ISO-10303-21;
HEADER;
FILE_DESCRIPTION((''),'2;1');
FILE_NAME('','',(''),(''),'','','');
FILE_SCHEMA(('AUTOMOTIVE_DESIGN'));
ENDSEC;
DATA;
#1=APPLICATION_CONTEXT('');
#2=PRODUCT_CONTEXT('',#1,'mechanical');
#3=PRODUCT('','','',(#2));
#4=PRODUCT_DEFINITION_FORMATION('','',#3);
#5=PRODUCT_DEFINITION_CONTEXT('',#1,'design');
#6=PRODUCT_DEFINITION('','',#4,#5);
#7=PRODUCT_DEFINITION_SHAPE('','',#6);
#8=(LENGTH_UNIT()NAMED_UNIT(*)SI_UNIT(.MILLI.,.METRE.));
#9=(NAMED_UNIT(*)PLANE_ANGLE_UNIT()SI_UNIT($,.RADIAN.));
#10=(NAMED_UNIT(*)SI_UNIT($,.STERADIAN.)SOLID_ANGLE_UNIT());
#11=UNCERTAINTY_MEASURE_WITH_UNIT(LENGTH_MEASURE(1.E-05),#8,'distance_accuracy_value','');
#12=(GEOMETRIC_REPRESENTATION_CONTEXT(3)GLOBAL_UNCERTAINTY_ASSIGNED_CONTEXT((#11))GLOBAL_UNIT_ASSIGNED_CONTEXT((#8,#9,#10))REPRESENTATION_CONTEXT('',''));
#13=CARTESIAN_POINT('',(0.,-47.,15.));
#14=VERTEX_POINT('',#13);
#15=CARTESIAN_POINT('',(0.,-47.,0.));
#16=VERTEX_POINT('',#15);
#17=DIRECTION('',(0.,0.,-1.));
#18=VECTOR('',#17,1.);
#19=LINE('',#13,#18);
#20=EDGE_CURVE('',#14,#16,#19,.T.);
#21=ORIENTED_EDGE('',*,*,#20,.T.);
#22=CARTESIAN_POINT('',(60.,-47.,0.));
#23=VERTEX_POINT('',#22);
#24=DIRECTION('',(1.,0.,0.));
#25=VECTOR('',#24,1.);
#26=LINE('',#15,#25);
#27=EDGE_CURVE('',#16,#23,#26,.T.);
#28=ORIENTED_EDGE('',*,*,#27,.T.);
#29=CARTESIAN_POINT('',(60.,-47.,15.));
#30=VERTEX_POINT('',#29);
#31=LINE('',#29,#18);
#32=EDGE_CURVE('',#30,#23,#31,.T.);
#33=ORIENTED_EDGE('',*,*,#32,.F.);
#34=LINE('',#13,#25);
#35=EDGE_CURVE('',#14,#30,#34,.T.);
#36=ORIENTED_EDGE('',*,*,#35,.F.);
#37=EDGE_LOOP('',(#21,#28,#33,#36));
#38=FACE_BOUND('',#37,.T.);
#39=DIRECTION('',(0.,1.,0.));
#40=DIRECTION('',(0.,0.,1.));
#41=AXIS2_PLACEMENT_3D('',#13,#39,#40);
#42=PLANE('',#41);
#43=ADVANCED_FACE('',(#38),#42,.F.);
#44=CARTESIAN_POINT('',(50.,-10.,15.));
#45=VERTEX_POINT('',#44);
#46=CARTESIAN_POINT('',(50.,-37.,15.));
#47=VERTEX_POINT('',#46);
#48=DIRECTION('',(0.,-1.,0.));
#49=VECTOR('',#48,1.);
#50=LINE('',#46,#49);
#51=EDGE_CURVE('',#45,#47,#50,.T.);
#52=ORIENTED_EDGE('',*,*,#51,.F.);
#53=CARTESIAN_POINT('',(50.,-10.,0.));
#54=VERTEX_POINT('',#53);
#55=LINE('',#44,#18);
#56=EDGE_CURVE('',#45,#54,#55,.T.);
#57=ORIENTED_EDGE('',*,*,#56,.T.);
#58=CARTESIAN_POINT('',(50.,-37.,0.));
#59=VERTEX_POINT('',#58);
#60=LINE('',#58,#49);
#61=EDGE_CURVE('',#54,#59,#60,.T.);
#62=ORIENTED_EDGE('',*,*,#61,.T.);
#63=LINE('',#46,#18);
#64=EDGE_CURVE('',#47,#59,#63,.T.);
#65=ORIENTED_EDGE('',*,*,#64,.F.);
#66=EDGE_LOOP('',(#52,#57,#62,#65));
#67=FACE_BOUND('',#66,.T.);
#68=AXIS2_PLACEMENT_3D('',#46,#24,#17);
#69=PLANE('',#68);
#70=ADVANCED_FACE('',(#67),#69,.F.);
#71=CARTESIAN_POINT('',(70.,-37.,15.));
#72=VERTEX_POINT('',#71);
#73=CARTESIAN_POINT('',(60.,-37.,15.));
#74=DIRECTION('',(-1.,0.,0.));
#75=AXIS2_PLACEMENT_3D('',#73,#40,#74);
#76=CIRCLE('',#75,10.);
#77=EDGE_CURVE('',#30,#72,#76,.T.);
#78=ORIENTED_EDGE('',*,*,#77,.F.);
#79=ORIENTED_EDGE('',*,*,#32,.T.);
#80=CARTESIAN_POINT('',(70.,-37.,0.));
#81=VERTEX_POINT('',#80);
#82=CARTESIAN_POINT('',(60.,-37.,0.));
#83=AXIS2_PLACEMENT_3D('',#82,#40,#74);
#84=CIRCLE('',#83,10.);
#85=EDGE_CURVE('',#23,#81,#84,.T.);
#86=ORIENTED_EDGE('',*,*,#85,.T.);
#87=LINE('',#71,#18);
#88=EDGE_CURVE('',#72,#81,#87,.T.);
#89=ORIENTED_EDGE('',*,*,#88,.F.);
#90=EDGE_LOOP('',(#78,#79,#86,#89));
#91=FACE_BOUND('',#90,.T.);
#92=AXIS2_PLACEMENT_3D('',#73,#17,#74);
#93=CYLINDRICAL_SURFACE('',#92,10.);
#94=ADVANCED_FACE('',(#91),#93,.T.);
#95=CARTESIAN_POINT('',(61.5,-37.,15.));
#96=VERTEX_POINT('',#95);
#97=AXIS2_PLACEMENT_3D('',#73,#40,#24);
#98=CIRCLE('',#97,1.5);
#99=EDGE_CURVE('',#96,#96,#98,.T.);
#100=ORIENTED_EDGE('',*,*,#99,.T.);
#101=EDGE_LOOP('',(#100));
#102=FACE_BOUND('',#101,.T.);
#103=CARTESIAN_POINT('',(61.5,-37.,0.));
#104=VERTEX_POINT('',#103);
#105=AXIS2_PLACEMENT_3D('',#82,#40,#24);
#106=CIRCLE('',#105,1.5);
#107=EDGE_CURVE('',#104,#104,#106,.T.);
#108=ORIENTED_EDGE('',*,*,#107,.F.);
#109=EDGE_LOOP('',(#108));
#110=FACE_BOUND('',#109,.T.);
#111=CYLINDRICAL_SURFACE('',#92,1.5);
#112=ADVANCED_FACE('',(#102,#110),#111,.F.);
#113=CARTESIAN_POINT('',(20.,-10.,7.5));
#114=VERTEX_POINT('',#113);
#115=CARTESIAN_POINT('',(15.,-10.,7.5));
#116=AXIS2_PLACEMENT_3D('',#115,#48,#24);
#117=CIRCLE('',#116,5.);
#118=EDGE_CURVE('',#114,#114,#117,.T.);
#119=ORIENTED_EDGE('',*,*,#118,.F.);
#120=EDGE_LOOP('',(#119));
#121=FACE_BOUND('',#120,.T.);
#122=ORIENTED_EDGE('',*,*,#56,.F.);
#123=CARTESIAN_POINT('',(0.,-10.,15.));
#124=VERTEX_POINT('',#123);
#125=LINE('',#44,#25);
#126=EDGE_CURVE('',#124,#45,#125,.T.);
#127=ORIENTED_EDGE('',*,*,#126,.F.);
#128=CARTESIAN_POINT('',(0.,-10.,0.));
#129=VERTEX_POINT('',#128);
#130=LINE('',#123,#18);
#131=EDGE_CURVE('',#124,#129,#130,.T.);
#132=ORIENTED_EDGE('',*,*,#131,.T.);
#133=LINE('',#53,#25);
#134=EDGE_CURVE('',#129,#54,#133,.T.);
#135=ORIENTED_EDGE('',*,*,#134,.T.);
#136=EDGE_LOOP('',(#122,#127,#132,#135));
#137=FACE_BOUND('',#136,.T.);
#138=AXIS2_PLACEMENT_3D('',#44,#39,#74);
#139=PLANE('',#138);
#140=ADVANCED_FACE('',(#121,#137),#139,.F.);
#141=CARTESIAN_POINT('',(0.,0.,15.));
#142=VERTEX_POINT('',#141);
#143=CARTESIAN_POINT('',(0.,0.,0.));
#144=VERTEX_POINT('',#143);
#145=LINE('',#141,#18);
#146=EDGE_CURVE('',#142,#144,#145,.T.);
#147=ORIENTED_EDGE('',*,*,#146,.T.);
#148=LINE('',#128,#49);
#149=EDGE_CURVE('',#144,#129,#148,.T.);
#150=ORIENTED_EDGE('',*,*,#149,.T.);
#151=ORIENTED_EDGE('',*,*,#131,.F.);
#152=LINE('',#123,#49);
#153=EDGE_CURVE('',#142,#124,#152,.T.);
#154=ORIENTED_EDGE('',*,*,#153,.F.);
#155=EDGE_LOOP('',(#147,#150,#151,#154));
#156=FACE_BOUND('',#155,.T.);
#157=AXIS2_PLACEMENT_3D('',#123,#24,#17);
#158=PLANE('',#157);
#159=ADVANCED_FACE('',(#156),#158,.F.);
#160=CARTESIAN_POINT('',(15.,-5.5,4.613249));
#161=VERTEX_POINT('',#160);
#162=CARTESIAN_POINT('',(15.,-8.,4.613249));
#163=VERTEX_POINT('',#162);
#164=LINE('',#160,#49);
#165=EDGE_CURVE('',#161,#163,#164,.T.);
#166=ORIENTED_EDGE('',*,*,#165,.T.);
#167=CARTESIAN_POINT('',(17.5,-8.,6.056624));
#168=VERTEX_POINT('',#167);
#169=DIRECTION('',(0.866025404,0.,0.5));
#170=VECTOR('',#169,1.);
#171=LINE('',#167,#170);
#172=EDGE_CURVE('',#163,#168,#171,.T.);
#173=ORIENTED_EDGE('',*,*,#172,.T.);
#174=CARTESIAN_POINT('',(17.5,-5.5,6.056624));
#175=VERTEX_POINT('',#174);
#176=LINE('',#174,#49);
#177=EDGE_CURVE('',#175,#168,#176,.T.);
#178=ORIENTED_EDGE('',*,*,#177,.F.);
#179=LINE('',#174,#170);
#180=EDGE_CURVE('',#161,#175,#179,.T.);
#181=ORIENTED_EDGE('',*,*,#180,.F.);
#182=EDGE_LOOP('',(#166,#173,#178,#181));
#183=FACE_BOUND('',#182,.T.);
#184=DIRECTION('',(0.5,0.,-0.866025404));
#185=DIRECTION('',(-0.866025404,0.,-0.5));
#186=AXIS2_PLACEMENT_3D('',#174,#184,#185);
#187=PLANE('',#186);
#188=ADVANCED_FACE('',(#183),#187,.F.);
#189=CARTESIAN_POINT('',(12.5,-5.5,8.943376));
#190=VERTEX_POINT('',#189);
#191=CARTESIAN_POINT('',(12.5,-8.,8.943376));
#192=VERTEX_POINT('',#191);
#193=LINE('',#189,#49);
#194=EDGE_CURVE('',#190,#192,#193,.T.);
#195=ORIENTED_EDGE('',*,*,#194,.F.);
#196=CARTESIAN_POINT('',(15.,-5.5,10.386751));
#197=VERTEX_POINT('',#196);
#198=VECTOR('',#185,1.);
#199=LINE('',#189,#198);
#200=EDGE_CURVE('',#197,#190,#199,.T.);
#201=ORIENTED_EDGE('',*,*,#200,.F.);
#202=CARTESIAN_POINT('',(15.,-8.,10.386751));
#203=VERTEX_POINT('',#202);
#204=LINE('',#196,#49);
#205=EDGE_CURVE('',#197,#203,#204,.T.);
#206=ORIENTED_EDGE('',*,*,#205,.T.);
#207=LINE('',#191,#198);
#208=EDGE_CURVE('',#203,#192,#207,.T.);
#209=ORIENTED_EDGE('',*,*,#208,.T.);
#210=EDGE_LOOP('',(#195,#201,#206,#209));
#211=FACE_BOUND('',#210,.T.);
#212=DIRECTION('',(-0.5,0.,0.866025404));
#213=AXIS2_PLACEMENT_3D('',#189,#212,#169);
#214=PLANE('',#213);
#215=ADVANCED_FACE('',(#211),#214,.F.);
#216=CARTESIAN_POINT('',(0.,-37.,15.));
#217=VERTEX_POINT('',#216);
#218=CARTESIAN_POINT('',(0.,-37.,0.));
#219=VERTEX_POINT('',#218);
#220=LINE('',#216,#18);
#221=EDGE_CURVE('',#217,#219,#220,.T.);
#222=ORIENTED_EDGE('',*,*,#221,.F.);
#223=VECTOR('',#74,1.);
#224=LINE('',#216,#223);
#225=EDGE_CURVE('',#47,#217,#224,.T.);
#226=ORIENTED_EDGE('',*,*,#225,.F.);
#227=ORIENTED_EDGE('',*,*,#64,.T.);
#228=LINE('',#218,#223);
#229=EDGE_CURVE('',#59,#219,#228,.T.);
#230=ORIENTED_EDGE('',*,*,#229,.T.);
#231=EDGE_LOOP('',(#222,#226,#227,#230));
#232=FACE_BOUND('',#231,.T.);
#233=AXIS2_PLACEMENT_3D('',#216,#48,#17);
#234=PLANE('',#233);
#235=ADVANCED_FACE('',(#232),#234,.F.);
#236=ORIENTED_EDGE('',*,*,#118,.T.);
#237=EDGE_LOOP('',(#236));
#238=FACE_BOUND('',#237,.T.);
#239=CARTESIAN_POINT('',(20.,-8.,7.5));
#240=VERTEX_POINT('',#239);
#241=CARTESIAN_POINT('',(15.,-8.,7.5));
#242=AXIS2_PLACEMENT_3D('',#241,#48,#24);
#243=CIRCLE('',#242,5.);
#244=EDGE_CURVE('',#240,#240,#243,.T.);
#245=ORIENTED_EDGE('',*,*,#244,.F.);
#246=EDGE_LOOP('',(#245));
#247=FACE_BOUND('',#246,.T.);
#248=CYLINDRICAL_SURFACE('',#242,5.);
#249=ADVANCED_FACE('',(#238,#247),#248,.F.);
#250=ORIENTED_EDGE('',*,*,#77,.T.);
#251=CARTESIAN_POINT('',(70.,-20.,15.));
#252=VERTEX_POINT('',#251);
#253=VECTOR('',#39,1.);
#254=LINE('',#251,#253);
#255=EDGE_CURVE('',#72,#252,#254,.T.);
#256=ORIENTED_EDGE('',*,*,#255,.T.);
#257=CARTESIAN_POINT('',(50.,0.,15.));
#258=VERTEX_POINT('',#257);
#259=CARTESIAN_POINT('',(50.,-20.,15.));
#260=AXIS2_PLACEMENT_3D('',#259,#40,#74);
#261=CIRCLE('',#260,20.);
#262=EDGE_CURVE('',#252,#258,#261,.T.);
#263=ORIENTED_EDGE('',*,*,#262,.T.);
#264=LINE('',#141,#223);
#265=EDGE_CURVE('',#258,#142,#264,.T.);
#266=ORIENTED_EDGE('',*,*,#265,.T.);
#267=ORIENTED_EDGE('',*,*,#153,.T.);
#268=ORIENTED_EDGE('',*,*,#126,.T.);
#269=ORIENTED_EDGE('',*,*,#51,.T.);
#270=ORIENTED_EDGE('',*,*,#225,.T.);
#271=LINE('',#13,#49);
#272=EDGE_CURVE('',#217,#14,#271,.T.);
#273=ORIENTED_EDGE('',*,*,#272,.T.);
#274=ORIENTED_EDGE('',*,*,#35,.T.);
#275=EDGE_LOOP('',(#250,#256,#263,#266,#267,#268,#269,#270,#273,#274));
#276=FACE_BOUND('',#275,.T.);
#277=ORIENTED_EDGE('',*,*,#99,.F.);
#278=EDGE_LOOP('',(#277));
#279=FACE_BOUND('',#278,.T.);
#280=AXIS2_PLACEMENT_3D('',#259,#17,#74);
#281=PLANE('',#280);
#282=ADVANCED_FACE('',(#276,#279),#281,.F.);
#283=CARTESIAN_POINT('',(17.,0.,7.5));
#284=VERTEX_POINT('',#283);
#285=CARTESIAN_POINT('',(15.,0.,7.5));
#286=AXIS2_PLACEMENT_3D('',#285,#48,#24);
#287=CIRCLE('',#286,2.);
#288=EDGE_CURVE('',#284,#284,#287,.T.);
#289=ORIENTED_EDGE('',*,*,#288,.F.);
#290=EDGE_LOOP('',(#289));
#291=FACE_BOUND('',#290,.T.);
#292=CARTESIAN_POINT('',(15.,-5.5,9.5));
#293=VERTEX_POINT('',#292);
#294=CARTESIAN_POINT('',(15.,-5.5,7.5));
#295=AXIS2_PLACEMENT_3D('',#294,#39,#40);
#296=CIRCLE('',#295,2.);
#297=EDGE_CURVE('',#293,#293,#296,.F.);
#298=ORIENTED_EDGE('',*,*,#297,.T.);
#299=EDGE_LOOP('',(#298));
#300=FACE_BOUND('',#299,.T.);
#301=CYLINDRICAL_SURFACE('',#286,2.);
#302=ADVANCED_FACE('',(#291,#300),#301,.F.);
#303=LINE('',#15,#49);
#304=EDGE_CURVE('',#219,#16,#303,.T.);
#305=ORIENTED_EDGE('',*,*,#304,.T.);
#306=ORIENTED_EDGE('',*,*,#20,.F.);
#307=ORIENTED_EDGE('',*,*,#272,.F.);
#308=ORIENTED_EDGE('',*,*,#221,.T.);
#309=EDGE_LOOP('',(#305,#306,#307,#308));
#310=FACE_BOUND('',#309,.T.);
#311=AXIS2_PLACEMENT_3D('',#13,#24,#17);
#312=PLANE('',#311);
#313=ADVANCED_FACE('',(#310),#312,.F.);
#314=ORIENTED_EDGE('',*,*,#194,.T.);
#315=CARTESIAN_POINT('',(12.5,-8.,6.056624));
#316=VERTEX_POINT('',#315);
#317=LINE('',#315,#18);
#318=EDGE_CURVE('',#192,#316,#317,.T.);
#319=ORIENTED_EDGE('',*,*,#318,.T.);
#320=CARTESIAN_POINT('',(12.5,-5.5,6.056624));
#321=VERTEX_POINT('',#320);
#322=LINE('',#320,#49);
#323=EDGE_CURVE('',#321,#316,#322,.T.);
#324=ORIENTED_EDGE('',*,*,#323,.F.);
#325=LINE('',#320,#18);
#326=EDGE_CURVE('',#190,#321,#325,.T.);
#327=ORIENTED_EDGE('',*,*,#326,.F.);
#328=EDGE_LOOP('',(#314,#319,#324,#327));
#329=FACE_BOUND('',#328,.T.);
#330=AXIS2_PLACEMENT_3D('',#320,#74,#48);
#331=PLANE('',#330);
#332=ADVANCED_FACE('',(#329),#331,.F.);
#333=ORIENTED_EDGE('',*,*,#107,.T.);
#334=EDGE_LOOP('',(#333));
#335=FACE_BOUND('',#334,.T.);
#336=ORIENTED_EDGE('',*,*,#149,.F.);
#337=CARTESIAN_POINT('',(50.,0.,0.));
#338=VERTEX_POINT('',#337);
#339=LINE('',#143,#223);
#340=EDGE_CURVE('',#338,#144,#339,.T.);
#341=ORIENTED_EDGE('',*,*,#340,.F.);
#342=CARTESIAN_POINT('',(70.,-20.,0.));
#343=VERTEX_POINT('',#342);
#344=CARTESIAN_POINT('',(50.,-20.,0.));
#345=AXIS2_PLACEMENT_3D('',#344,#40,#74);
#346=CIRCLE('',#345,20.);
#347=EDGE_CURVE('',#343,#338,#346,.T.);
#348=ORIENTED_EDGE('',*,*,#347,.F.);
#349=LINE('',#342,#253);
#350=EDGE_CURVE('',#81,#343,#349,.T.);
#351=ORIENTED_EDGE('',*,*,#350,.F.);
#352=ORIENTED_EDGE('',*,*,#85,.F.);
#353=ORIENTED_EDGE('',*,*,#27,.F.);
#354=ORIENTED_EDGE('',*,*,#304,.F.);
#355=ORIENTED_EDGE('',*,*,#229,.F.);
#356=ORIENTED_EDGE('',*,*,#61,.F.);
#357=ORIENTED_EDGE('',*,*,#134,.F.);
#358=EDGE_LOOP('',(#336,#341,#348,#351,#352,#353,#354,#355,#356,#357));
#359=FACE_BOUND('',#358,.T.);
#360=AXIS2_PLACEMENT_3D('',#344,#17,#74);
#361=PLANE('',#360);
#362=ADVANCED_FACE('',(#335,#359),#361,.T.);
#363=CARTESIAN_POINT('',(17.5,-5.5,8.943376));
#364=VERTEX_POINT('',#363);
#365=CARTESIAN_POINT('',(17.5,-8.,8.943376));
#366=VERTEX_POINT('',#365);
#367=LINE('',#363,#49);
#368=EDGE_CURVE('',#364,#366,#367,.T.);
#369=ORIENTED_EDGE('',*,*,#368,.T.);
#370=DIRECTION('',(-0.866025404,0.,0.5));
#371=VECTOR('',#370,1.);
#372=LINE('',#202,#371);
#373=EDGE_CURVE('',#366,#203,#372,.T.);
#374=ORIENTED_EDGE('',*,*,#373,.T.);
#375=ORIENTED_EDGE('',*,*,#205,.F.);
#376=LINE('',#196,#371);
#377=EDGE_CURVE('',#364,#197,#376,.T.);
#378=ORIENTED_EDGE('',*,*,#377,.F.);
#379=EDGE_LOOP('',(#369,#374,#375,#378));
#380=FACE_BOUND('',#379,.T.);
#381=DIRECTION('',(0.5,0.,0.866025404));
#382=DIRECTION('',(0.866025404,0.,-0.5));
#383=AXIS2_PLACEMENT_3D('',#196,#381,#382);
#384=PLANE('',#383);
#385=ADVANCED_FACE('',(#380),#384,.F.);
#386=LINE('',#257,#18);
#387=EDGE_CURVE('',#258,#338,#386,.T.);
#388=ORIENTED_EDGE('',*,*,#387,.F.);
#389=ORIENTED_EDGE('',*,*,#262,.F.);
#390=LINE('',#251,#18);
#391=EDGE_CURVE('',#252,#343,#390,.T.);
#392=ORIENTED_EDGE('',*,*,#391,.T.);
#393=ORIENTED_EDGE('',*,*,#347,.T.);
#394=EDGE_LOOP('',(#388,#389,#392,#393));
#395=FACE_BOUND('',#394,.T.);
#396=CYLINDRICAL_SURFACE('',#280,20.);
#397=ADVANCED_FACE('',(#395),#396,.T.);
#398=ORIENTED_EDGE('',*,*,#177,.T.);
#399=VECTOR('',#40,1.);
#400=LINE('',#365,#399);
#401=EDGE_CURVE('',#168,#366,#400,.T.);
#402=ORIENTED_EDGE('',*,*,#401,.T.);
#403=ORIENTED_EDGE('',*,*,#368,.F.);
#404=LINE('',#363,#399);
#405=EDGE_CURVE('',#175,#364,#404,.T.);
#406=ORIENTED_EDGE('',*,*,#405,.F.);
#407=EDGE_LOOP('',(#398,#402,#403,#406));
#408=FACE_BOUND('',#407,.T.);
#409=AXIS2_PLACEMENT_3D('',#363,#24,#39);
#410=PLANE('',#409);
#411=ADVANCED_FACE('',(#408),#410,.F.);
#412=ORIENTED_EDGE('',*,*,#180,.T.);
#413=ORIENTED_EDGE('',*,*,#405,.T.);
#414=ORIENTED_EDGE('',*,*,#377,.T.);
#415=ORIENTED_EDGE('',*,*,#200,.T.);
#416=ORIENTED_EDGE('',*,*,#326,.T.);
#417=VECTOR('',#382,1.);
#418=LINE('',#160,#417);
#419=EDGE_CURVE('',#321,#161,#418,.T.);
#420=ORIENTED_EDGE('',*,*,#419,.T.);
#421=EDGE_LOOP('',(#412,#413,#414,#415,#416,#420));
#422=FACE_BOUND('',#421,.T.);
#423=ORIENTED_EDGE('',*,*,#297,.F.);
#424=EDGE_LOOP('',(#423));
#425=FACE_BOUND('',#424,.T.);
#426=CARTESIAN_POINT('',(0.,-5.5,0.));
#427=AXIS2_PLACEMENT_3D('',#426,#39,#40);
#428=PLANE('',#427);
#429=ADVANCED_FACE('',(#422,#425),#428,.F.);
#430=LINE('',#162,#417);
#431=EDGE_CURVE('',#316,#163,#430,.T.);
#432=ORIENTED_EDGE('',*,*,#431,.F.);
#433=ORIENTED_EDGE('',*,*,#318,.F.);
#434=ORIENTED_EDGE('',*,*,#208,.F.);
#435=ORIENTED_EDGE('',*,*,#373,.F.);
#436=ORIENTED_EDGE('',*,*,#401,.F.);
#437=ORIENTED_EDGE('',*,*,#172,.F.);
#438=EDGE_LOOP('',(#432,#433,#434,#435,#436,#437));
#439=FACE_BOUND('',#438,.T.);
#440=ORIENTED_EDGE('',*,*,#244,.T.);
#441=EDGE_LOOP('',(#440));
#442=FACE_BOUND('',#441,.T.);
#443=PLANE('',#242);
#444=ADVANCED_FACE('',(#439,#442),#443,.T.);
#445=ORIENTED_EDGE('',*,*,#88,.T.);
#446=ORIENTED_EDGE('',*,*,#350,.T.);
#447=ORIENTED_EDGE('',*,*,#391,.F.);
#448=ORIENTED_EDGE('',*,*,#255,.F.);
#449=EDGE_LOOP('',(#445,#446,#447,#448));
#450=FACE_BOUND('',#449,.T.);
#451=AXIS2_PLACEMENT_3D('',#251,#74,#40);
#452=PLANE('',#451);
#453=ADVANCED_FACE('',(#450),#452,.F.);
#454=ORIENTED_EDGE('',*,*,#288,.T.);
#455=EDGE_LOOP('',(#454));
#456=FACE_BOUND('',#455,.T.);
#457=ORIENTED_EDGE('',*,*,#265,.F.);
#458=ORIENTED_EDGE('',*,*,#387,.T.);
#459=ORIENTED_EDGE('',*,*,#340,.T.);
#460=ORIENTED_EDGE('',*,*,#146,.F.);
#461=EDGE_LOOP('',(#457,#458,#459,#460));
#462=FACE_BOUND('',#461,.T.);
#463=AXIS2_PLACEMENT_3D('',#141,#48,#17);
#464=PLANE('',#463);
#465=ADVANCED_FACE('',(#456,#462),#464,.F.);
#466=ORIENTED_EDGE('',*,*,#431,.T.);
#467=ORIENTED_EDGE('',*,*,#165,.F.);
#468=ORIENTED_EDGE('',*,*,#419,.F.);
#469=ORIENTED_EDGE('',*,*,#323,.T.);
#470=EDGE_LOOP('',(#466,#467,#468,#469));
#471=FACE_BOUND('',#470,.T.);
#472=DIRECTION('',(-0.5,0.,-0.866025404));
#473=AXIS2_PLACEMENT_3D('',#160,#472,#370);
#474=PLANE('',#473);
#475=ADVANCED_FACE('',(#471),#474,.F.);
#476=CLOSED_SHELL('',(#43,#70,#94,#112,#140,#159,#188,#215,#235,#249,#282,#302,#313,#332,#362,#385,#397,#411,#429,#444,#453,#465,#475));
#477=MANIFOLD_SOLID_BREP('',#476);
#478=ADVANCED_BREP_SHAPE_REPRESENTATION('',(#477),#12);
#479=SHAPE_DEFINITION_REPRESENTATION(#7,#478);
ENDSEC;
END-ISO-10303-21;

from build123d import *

# Parameters (mm, degrees)
ESQUISSE1_R             = 1.5
BOSS_EXTRU_1_DEPTH      = 15
ESQUISSE3_R             = 5
ENL_V_MAT_EXTRU_1_DEPTH = 2
ESQUISSE4_R             = 2
ENL_V_MAT_EXTRU_2_DEPTH = 9
ENL_V_MAT_EXTRU_3_DEPTH = 2.5


with BuildPart() as part:
    # Esquisse1 → Boss.-Extru.1 (new body)
    with BuildSketch(Plane.XY):
        with BuildLine():
            Line((0, 0), (50, 0))
            ThreePointArc((50, 0), (64.142135624, -5.857864376), (70, -20))
            Line((70, -20), (70, -37))
            ThreePointArc((70, -37), (67.071067812, -44.071067812), (60, -47))
            Line((60, -47), (0, -47))
            Line((0, -47), (0, -37))
            Line((0, -37), (50, -37))
            Line((50, -37), (50, -10))
            Line((50, -10), (0, -10))
            Line((0, -10), (0, 0))
        make_face()
        with Locations((60, -37)):
            Circle(ESQUISSE1_R, mode=Mode.SUBTRACT)
    extrude(amount=BOSS_EXTRU_1_DEPTH)

    # Esquisse3 → Enlèv. mat.-Extru.1 (cut)
    with BuildSketch(Plane.XZ.offset(10)):
        with Locations((15, 7.5)):
            Circle(ESQUISSE3_R)
    extrude(amount=-ENL_V_MAT_EXTRU_1_DEPTH, mode=Mode.SUBTRACT)

    # Esquisse4 → Enlèv. mat.-Extru.2 (cut, through all)
    with BuildSketch(Plane(origin=(0, -8, 0), x_dir=(-1, 0, 0), z_dir=(0, -1, 0))):
        with Locations((-15, -7.5)):
            Circle(ESQUISSE4_R)
    extrude(amount=-ENL_V_MAT_EXTRU_2_DEPTH, mode=Mode.SUBTRACT)

    # Esquisse5 → Enlèv. mat.-Extru.3 (cut)
    with BuildSketch(Plane.XZ.offset(8)):
        Polygon((12.5, 6.056624327), (12.5, 8.943375673), (15, 10.386751346), (17.5, 8.943375673), (17.5, 6.056624327), (15, 4.613248654), align=None)
    extrude(amount=-ENL_V_MAT_EXTRU_3_DEPTH, mode=Mode.SUBTRACT)


solid = part.part
